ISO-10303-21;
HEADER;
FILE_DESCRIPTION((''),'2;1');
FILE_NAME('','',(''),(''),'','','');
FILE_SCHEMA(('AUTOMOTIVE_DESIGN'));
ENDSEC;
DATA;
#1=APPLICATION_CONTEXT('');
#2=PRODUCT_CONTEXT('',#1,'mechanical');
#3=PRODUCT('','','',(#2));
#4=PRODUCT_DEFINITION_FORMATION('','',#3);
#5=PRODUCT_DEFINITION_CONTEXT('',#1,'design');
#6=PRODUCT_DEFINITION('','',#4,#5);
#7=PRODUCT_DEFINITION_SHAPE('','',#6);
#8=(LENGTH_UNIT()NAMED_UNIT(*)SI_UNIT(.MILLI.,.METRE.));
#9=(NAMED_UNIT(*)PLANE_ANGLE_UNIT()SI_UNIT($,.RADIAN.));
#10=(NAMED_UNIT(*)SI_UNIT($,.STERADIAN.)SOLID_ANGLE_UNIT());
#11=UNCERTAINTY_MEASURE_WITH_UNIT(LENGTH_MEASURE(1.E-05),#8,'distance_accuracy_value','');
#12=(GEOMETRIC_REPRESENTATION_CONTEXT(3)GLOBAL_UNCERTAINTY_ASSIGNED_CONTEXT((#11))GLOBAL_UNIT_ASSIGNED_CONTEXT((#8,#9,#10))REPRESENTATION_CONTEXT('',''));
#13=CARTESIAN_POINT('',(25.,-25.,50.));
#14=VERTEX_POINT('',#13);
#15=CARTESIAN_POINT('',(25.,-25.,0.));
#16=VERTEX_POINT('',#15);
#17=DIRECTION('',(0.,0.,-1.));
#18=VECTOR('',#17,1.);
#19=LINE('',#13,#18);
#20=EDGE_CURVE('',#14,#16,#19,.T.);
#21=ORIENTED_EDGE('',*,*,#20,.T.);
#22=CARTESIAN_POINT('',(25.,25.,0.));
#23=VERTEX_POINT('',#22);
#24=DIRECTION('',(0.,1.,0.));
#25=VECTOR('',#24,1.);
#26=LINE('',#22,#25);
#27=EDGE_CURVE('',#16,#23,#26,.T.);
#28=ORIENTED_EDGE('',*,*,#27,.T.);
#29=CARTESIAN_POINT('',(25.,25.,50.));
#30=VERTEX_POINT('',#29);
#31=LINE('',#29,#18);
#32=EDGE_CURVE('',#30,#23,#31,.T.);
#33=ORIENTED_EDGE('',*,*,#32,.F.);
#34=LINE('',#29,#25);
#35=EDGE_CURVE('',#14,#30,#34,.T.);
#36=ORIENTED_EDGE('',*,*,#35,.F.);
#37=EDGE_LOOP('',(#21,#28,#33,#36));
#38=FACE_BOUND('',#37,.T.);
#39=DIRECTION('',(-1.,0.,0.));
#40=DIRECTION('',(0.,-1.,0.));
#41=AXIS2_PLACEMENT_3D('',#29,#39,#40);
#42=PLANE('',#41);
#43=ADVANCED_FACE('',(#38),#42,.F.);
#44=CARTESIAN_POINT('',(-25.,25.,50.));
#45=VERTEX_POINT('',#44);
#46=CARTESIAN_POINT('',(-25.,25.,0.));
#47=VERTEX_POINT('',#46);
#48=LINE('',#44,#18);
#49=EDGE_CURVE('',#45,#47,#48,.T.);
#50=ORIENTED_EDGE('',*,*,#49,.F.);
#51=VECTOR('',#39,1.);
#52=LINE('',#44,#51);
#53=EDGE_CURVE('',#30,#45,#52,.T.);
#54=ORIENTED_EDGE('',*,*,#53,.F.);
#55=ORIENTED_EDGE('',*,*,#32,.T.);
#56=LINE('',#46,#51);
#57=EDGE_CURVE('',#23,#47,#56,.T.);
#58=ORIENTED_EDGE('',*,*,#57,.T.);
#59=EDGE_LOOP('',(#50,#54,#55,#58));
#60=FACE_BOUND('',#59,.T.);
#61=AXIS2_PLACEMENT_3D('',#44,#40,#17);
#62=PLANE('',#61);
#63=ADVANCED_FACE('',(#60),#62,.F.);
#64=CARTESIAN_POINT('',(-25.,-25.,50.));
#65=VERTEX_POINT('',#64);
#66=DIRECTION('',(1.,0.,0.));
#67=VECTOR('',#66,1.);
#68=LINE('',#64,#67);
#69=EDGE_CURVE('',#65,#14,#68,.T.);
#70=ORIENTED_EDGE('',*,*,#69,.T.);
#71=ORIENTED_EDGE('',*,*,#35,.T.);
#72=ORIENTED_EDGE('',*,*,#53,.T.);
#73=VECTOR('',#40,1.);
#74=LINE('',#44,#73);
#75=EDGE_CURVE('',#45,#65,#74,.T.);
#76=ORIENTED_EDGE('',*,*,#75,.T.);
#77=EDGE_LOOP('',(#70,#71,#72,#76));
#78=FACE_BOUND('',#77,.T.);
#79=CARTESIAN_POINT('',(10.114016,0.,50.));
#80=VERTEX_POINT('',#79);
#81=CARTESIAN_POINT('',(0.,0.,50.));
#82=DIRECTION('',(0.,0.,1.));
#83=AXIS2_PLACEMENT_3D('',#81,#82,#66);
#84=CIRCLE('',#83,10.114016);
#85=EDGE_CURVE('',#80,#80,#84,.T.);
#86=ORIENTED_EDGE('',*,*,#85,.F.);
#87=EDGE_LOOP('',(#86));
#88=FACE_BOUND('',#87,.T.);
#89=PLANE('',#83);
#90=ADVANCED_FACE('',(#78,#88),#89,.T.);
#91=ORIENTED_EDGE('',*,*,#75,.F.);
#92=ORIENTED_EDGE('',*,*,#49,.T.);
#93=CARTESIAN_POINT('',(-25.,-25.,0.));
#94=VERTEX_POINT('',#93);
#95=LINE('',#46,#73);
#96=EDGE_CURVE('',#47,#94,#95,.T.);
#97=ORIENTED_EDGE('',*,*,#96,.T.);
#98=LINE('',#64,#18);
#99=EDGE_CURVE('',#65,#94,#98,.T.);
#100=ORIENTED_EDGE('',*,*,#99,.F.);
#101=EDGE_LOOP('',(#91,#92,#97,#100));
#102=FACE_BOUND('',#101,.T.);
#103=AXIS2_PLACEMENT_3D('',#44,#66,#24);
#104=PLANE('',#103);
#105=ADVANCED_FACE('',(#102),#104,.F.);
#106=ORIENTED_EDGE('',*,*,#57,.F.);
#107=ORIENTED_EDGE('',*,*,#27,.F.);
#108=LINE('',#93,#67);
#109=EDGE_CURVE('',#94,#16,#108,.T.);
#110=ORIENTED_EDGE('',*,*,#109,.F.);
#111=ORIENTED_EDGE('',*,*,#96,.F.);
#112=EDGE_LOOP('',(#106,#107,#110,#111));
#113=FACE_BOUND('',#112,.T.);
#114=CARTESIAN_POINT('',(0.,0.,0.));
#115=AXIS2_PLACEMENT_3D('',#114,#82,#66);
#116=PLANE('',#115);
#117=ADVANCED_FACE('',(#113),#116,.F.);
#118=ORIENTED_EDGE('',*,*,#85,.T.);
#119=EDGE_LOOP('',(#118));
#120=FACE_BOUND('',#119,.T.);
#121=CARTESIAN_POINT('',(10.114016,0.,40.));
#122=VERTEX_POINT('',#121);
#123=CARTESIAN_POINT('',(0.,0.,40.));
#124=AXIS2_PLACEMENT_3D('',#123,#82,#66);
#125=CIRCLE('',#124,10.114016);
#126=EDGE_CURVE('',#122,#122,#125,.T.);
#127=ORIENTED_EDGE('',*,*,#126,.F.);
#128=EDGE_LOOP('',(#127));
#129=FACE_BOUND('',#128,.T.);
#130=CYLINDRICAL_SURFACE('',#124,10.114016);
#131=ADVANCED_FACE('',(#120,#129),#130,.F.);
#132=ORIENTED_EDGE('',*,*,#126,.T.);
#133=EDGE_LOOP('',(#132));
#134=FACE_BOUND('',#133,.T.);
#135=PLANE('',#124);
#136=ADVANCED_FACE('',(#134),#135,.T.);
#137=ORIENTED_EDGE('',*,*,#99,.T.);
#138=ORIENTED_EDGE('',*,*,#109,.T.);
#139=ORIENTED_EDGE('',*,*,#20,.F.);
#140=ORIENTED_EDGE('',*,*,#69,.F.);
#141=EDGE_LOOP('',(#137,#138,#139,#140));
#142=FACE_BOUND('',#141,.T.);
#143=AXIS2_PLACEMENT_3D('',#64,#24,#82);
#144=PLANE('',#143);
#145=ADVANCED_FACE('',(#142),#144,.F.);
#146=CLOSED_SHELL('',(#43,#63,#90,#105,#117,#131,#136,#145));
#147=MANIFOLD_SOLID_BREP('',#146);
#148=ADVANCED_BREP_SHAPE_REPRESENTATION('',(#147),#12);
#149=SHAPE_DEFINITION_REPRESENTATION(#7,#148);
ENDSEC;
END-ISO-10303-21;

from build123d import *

# Parameters (mm, degrees)
SKETCH1_W           = 50
SKETCH1_H           = 50
BOSS_EXTRUDE1_DEPTH = 50
SKETCH2_R           = 10.114015562
CUT_EXTRUDE1_DEPTH  = 10


with BuildPart() as part:
    # Sketch1 → Boss-Extrude1 (new body)
    with BuildSketch(Plane.XY):
        Rectangle(SKETCH1_W, SKETCH1_H)
    extrude(amount=BOSS_EXTRUDE1_DEPTH)

    # Sketch2 → Cut-Extrude1 (cut)
    with BuildSketch(Plane.XY.offset(50)):
        Circle(SKETCH2_R)
    extrude(amount=-CUT_EXTRUDE1_DEPTH, mode=Mode.SUBTRACT)


solid = part.part
